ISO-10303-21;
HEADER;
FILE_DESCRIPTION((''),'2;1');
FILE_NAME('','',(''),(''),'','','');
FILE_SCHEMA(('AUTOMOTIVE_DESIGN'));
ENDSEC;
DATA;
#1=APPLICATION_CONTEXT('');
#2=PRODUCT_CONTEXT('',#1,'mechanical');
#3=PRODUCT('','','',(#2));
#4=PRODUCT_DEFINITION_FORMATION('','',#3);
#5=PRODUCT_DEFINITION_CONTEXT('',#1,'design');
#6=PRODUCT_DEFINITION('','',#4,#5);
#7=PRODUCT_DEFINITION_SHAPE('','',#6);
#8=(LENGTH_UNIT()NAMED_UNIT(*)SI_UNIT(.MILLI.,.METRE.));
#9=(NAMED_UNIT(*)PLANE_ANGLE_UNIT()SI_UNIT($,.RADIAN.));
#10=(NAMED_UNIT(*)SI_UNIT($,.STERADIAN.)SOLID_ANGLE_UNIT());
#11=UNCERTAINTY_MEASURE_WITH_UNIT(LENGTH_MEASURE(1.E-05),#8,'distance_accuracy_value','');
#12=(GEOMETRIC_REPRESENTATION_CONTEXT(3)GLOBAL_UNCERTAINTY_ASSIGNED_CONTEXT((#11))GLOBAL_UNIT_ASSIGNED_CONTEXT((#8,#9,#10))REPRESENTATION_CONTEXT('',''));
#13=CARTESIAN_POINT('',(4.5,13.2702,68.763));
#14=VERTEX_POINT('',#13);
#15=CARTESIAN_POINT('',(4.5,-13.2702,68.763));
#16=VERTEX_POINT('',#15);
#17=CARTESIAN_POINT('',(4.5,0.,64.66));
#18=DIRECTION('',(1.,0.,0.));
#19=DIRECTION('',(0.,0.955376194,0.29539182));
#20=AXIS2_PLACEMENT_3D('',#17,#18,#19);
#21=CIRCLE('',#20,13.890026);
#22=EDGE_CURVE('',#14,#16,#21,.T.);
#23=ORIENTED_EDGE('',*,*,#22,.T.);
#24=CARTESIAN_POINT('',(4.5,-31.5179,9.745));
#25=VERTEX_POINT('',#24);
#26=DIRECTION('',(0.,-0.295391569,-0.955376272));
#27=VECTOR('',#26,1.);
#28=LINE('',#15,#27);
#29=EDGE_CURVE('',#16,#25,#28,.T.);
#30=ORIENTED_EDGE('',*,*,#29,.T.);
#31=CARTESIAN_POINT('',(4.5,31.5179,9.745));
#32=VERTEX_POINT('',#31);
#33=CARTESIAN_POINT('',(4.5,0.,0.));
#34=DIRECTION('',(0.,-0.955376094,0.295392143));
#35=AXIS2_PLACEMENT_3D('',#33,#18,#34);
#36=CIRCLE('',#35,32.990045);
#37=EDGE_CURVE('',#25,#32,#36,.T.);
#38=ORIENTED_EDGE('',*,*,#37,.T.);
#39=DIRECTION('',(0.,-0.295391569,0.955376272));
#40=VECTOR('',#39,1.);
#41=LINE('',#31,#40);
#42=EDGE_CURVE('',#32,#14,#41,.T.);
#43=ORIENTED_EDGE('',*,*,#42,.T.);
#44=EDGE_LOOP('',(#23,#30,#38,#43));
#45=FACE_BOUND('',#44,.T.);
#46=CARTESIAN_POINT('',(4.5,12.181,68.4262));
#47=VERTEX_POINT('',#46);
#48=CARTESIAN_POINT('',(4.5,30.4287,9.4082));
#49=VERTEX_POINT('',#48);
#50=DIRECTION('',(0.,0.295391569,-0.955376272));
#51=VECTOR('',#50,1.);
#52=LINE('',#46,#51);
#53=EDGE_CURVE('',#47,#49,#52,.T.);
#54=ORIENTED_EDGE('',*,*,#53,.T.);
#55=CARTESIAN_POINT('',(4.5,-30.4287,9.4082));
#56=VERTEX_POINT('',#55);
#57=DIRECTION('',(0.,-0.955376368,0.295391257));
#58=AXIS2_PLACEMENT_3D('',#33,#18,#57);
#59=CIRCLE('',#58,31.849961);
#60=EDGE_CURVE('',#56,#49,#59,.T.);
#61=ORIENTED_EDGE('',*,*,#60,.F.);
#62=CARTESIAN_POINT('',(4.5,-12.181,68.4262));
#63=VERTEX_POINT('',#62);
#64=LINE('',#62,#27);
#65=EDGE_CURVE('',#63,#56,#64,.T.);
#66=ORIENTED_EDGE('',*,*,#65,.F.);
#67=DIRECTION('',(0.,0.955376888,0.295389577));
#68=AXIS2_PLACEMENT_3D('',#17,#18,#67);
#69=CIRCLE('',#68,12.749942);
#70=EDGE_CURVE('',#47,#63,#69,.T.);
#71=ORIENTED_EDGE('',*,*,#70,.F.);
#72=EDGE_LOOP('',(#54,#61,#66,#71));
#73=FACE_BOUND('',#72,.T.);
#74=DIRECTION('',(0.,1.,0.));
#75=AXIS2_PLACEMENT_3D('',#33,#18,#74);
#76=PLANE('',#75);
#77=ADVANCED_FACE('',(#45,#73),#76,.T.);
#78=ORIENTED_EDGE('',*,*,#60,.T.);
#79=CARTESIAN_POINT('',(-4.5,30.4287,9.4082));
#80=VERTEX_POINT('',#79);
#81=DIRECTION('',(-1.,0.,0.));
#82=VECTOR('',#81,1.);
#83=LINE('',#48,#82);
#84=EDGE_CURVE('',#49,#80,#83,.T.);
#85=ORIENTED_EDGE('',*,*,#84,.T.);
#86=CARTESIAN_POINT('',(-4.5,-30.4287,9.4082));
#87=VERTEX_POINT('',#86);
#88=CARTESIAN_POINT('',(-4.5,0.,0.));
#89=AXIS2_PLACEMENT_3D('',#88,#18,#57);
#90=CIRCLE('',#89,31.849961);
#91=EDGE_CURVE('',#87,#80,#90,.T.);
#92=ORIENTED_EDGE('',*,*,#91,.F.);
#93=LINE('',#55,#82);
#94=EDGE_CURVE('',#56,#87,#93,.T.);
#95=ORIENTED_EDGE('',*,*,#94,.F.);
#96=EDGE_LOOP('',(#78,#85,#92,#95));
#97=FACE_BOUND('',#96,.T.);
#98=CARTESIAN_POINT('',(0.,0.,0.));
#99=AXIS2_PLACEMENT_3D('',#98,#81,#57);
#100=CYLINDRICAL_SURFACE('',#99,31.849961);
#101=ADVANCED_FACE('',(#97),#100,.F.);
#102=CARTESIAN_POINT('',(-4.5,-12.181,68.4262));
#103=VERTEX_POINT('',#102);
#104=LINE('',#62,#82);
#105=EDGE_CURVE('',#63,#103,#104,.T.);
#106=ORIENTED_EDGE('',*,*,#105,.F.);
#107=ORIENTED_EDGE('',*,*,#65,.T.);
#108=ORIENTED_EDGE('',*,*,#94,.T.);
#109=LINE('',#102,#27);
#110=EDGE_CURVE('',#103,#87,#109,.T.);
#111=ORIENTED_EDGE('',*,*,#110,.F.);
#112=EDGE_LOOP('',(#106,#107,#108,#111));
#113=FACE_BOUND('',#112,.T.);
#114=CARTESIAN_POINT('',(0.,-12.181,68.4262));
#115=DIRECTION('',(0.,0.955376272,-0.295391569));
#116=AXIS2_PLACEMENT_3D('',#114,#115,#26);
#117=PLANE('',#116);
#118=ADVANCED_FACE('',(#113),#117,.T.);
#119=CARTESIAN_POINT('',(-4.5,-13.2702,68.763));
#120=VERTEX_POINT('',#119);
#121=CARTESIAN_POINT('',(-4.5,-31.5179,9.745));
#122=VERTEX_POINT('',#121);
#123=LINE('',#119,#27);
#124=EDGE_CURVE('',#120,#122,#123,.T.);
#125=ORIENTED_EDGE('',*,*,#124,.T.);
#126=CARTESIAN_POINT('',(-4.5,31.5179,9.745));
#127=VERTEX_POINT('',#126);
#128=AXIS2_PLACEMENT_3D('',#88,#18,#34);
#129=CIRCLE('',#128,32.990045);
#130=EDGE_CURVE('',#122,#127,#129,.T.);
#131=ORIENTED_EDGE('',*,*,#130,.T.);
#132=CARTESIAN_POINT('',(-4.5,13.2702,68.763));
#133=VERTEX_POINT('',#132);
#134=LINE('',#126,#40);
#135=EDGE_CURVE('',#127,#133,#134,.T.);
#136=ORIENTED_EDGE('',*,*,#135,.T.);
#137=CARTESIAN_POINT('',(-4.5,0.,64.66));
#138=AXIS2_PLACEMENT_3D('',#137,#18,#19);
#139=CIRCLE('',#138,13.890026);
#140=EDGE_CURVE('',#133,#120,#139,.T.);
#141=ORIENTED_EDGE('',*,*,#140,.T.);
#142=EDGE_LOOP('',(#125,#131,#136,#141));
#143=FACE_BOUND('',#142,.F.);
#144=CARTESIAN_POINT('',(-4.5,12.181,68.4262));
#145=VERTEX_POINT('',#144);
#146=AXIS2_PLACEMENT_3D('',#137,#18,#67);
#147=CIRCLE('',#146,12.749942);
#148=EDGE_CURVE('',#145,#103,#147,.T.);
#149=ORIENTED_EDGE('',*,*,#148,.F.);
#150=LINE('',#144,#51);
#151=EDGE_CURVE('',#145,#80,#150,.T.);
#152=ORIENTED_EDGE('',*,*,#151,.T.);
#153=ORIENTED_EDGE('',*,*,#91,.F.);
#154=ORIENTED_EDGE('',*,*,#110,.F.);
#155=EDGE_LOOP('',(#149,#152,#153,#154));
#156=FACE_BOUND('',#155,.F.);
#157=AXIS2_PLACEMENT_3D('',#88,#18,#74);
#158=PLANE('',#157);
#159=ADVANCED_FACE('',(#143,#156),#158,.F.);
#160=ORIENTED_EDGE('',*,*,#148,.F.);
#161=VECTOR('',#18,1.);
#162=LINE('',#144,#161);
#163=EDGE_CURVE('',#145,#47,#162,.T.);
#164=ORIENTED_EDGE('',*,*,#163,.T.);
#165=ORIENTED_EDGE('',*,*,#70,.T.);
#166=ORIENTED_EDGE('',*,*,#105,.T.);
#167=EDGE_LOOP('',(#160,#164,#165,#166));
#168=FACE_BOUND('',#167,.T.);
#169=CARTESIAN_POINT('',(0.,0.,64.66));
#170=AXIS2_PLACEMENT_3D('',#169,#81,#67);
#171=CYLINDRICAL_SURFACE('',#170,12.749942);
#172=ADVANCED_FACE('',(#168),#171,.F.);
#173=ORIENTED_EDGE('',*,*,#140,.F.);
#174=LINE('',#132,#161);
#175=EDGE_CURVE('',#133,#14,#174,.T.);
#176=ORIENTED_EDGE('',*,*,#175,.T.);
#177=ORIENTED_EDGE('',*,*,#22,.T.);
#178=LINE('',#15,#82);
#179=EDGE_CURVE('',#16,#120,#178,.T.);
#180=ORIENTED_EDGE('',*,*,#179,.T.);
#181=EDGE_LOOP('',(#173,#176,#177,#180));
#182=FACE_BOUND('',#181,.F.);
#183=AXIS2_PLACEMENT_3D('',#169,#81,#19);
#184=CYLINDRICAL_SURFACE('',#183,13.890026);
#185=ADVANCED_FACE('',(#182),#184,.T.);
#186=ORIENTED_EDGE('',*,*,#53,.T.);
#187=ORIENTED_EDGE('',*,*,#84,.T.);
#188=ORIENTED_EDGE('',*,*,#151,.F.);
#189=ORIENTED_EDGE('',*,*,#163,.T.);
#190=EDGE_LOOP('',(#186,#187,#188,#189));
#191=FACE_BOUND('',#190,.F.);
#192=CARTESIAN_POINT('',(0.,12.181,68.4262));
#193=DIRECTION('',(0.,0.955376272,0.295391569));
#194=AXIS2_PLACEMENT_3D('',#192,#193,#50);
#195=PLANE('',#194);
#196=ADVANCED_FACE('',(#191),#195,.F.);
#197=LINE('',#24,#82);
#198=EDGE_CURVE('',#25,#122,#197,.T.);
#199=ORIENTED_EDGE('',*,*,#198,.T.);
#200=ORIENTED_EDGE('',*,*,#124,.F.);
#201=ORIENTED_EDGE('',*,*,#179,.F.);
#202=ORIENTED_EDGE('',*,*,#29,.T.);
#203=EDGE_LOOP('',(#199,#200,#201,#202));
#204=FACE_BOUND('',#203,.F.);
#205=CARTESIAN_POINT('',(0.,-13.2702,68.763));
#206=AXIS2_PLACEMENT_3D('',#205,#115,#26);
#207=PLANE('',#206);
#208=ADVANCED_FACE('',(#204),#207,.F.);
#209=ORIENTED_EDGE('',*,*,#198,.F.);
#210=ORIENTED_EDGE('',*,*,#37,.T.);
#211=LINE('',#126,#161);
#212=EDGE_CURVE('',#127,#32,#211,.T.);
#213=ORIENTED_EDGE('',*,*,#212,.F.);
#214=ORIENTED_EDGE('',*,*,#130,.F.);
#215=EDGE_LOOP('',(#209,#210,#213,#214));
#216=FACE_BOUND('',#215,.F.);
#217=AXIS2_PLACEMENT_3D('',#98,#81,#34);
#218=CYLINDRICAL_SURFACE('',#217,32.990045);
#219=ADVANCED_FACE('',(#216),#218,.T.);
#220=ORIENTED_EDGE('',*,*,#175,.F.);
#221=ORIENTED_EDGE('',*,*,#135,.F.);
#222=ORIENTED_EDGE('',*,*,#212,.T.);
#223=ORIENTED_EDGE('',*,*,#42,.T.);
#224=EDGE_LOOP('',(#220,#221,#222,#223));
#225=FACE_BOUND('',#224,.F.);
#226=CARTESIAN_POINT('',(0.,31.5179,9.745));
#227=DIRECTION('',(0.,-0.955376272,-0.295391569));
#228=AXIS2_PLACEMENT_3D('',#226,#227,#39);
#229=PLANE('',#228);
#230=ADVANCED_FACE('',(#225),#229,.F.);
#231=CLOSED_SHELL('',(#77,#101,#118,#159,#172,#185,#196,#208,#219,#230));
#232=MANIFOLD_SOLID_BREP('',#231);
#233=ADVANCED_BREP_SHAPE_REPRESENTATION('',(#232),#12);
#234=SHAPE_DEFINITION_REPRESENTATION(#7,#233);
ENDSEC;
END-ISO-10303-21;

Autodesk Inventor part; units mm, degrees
ref_plane "YZ Plane" through (0, 0, 0) normal (1, 0, 0) x (0, 1, 0)
ref_plane "XZ Plane" through (0, 0, 0) normal (0, 1, 0) x (-1, 0, 0)
ref_plane "XY Plane" through (0, 0, 0) normal (0, 0, 1) x (1, 0, 0)
sketch "Sketch2" plane through (0, 0, 0) normal (1, 0, 0) x (0, 1, 0)
  circle A0 centre (0, 0) radius 31.85 construction
  circle A1 centre (0, 64.66) radius 12.75 construction
  line L0 (12.181, 68.4262) -> (30.4287, 9.4082)
  line L1 (-12.181, 68.4262) -> (-30.4287, 9.4082)
  arc A2 (12.181, 68.4262) -> (-12.181, 68.4262) centre (0, 64.66) ccw
  arc A3 (-30.4287, 9.4082) -> (30.4287, 9.4082) centre (0, 0) ccw
  line L2 (31.5179, 9.745) -> (13.2702, 68.763)
  arc A4 (13.2702, 68.763) -> (-13.2702, 68.763) centre (0, 64.66) ccw
  line L3 (-13.2702, 68.763) -> (-31.5179, 9.745)
  arc A5 (-31.5179, 9.745) -> (31.5179, 9.745) centre (0, 0) ccw
  dimension "d0" = 63.7
  dimension "d1" = 25.5
  dimension "d2" = 64.66
  dimension "d3" = 1.14
extrude "Extrusion1" add sketch "Sketch2" along normal mid plane 9
properties part number "TimingBlet" material "Rubber"
